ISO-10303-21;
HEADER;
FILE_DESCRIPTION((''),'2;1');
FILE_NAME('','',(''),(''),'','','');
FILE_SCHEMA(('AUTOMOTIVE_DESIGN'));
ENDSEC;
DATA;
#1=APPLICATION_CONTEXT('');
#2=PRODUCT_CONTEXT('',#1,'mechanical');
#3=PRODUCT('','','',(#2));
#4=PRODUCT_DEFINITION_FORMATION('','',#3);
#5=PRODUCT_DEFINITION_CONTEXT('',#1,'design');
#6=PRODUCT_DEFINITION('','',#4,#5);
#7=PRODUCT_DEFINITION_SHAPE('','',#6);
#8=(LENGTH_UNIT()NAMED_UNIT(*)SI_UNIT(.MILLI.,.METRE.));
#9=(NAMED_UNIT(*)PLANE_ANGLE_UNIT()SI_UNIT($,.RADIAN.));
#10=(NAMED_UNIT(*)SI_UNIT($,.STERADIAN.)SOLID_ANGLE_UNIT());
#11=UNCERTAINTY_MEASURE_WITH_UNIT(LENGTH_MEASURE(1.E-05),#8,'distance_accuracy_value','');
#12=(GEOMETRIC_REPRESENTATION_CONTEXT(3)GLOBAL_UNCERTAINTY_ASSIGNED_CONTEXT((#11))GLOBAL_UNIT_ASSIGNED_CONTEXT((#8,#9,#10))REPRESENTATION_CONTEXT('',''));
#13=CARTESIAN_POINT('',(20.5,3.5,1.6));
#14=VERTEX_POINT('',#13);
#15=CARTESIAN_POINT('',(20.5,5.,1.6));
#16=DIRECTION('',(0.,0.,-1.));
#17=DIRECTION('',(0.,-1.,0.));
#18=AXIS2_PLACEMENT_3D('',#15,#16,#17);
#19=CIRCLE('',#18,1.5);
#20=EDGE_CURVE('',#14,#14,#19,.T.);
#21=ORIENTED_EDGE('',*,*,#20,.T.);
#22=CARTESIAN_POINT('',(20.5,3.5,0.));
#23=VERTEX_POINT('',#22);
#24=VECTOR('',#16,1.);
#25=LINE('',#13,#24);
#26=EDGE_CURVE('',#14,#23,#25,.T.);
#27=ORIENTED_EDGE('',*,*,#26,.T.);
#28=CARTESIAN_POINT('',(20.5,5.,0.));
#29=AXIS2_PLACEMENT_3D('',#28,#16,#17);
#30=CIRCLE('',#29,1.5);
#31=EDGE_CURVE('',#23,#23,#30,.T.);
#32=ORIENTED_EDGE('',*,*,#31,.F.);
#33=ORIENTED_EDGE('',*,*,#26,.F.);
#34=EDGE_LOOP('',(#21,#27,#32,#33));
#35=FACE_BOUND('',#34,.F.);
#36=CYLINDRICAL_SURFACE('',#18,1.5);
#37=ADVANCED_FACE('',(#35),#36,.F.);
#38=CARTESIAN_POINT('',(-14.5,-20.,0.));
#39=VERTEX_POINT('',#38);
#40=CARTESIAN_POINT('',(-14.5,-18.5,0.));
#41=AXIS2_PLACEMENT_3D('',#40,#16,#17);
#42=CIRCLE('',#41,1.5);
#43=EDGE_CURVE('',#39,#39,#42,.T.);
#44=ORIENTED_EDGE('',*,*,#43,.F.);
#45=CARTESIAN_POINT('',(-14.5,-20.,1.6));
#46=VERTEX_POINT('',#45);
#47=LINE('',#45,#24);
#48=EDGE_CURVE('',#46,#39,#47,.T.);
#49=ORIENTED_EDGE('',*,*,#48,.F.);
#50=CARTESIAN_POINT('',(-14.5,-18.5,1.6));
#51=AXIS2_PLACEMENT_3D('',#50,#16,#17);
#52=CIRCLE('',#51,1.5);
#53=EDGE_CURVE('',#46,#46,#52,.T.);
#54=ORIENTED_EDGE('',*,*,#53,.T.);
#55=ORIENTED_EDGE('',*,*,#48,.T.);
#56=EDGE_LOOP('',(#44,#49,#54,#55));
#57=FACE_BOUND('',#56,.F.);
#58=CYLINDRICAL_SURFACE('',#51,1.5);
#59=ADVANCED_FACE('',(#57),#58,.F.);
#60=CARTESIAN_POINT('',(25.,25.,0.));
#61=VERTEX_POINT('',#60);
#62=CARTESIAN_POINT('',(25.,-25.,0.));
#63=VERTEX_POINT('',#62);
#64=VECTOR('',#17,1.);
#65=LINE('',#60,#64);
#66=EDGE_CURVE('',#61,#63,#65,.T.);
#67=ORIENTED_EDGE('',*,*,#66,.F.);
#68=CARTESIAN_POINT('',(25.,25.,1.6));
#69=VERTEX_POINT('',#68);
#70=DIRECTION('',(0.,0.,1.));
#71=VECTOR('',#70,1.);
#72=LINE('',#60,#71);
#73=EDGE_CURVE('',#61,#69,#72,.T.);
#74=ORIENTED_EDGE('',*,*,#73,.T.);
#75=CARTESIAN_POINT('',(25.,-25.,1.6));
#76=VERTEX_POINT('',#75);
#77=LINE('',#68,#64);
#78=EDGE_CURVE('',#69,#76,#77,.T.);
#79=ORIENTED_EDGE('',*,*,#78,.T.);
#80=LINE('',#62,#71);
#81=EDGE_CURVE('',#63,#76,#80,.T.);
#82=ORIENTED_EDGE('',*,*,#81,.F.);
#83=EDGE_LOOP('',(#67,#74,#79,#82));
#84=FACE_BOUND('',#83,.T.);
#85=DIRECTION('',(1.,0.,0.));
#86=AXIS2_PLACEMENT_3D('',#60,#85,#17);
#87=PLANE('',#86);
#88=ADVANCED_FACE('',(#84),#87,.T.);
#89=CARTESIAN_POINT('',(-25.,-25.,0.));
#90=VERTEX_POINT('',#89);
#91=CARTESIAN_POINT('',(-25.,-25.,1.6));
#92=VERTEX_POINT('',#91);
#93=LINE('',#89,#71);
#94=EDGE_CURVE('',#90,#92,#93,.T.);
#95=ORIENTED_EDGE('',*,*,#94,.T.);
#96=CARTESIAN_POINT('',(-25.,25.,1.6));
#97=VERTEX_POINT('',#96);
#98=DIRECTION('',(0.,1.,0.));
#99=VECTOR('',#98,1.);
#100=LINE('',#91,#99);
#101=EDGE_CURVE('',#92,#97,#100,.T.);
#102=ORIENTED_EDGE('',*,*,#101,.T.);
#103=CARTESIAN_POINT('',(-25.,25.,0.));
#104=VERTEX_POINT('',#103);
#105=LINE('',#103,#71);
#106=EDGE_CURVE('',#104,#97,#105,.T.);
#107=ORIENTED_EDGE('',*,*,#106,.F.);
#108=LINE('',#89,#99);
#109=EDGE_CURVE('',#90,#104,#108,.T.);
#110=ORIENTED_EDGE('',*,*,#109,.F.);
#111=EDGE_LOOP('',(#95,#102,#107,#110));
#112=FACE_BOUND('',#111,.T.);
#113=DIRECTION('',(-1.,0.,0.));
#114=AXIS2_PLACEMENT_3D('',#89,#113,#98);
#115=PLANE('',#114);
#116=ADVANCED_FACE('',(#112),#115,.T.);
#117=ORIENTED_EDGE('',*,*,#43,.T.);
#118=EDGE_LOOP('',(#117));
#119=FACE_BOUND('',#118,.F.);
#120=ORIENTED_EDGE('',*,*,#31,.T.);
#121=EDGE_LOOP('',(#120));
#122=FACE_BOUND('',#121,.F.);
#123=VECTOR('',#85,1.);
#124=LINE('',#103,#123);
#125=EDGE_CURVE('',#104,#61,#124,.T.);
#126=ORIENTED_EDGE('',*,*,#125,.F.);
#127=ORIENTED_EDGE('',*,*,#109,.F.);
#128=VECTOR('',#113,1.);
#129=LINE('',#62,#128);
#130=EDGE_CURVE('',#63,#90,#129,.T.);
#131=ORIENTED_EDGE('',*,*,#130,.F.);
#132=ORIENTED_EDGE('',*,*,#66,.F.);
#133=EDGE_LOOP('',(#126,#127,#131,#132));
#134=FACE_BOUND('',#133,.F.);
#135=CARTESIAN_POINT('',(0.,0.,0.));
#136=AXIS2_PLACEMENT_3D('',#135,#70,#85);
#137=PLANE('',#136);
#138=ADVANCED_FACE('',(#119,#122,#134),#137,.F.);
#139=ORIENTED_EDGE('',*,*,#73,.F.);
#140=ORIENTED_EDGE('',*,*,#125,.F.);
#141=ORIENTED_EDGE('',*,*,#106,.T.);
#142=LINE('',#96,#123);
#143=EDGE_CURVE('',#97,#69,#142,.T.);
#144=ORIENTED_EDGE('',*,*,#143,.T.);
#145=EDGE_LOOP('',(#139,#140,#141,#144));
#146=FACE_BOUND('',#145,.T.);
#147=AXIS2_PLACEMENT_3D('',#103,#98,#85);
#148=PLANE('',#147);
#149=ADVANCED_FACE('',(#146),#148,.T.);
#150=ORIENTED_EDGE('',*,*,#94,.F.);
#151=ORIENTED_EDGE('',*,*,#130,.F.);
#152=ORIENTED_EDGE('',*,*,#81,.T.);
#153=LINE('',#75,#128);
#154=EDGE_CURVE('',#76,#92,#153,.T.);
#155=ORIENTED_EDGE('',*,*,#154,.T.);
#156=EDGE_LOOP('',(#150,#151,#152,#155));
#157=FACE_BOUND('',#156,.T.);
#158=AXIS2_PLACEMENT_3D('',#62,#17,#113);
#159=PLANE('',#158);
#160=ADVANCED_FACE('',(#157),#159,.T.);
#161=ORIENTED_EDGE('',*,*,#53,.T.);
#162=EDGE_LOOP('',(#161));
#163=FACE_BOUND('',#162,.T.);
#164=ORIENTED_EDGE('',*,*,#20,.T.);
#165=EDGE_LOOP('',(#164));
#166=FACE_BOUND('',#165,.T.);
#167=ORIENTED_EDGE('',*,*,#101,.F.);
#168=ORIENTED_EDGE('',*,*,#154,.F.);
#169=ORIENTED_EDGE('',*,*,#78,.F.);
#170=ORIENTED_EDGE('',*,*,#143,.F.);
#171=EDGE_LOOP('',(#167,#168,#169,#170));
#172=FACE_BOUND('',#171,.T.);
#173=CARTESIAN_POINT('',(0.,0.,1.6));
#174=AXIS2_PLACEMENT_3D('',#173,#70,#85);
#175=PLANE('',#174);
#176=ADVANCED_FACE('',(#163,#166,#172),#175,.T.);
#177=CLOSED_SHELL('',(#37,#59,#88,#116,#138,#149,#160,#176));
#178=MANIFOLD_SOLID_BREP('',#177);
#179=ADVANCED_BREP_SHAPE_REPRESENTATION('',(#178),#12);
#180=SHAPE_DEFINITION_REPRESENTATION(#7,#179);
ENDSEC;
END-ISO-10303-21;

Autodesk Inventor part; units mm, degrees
ref_plane "YZ Plane" through (0, 0, 0) normal (1, 0, 0) x (0, 1, 0)
ref_plane "XZ Plane" through (0, 0, 0) normal (0, 1, 0) x (-1, 0, 0)
ref_plane "XY Plane" through (0, 0, 0) normal (0, 0, 1) x (1, 0, 0)
sketch "Sketch1" plane through (0, 0, 0) normal (0, 0, 1) x (1, 0, 0)
  line L0 (-25, 25) -> (25, 25)
  line L1 (25, 25) -> (25, -25)
  line L2 (25, -25) -> (-25, -25)
  line L3 (-25, -25) -> (-25, 25)
  line L4 (-25, 0) -> (25, 0) construction
  point P0 (0, 0)
  point P1 (0, 0)
  dimension "d0" = 50
  dimension "d1" = 50
extrude "Extrusion1" add sketch "Sketch1" along normal blind 1.6
sketch "Sketch2" plane through (0, 0, 1.6) normal (0, 0, 1) x (1, 0, 0)
  line L0 (-30.0288, 26.9887) -> (25, 26.9887) construction
  line L1 (25, 26.9887) -> (25, -27.2) construction
  line L2 (25, -27.2) -> (-30.0288, -27.2) construction
  line L3 (-30.0288, -27.2) -> (-30.0288, 26.9887) construction
  point P0 (0, 0)
  dimension "d6" = 25
  dimension "d8" = 27.2
sketch "Sketch3" plane through (0, 0, 1.6) normal (0, 0, 1) x (1, 0, 0)
  line L0 (25, 25) -> (25, -25) projected
  line L1 (-25, -25) -> (-25, 25) projected
  line L2 (25, -25) -> (-25, -25) projected
  point P0 (0, 0)
  point P1 (-14.5, -18.5)
  point P2 (20.5, 5)
  dimension "d9" = 10.5
  dimension "d10" = 6.5
  dimension "d11" = 4.5
  dimension "d12" = 30
hole "Hole1" at (-14.5, -18.5, 1.6) at (20.5, 5, 1.6) direction (0, 0, -1) diameter 3 end through all
properties part number "TLWR703N_IMAGE"
